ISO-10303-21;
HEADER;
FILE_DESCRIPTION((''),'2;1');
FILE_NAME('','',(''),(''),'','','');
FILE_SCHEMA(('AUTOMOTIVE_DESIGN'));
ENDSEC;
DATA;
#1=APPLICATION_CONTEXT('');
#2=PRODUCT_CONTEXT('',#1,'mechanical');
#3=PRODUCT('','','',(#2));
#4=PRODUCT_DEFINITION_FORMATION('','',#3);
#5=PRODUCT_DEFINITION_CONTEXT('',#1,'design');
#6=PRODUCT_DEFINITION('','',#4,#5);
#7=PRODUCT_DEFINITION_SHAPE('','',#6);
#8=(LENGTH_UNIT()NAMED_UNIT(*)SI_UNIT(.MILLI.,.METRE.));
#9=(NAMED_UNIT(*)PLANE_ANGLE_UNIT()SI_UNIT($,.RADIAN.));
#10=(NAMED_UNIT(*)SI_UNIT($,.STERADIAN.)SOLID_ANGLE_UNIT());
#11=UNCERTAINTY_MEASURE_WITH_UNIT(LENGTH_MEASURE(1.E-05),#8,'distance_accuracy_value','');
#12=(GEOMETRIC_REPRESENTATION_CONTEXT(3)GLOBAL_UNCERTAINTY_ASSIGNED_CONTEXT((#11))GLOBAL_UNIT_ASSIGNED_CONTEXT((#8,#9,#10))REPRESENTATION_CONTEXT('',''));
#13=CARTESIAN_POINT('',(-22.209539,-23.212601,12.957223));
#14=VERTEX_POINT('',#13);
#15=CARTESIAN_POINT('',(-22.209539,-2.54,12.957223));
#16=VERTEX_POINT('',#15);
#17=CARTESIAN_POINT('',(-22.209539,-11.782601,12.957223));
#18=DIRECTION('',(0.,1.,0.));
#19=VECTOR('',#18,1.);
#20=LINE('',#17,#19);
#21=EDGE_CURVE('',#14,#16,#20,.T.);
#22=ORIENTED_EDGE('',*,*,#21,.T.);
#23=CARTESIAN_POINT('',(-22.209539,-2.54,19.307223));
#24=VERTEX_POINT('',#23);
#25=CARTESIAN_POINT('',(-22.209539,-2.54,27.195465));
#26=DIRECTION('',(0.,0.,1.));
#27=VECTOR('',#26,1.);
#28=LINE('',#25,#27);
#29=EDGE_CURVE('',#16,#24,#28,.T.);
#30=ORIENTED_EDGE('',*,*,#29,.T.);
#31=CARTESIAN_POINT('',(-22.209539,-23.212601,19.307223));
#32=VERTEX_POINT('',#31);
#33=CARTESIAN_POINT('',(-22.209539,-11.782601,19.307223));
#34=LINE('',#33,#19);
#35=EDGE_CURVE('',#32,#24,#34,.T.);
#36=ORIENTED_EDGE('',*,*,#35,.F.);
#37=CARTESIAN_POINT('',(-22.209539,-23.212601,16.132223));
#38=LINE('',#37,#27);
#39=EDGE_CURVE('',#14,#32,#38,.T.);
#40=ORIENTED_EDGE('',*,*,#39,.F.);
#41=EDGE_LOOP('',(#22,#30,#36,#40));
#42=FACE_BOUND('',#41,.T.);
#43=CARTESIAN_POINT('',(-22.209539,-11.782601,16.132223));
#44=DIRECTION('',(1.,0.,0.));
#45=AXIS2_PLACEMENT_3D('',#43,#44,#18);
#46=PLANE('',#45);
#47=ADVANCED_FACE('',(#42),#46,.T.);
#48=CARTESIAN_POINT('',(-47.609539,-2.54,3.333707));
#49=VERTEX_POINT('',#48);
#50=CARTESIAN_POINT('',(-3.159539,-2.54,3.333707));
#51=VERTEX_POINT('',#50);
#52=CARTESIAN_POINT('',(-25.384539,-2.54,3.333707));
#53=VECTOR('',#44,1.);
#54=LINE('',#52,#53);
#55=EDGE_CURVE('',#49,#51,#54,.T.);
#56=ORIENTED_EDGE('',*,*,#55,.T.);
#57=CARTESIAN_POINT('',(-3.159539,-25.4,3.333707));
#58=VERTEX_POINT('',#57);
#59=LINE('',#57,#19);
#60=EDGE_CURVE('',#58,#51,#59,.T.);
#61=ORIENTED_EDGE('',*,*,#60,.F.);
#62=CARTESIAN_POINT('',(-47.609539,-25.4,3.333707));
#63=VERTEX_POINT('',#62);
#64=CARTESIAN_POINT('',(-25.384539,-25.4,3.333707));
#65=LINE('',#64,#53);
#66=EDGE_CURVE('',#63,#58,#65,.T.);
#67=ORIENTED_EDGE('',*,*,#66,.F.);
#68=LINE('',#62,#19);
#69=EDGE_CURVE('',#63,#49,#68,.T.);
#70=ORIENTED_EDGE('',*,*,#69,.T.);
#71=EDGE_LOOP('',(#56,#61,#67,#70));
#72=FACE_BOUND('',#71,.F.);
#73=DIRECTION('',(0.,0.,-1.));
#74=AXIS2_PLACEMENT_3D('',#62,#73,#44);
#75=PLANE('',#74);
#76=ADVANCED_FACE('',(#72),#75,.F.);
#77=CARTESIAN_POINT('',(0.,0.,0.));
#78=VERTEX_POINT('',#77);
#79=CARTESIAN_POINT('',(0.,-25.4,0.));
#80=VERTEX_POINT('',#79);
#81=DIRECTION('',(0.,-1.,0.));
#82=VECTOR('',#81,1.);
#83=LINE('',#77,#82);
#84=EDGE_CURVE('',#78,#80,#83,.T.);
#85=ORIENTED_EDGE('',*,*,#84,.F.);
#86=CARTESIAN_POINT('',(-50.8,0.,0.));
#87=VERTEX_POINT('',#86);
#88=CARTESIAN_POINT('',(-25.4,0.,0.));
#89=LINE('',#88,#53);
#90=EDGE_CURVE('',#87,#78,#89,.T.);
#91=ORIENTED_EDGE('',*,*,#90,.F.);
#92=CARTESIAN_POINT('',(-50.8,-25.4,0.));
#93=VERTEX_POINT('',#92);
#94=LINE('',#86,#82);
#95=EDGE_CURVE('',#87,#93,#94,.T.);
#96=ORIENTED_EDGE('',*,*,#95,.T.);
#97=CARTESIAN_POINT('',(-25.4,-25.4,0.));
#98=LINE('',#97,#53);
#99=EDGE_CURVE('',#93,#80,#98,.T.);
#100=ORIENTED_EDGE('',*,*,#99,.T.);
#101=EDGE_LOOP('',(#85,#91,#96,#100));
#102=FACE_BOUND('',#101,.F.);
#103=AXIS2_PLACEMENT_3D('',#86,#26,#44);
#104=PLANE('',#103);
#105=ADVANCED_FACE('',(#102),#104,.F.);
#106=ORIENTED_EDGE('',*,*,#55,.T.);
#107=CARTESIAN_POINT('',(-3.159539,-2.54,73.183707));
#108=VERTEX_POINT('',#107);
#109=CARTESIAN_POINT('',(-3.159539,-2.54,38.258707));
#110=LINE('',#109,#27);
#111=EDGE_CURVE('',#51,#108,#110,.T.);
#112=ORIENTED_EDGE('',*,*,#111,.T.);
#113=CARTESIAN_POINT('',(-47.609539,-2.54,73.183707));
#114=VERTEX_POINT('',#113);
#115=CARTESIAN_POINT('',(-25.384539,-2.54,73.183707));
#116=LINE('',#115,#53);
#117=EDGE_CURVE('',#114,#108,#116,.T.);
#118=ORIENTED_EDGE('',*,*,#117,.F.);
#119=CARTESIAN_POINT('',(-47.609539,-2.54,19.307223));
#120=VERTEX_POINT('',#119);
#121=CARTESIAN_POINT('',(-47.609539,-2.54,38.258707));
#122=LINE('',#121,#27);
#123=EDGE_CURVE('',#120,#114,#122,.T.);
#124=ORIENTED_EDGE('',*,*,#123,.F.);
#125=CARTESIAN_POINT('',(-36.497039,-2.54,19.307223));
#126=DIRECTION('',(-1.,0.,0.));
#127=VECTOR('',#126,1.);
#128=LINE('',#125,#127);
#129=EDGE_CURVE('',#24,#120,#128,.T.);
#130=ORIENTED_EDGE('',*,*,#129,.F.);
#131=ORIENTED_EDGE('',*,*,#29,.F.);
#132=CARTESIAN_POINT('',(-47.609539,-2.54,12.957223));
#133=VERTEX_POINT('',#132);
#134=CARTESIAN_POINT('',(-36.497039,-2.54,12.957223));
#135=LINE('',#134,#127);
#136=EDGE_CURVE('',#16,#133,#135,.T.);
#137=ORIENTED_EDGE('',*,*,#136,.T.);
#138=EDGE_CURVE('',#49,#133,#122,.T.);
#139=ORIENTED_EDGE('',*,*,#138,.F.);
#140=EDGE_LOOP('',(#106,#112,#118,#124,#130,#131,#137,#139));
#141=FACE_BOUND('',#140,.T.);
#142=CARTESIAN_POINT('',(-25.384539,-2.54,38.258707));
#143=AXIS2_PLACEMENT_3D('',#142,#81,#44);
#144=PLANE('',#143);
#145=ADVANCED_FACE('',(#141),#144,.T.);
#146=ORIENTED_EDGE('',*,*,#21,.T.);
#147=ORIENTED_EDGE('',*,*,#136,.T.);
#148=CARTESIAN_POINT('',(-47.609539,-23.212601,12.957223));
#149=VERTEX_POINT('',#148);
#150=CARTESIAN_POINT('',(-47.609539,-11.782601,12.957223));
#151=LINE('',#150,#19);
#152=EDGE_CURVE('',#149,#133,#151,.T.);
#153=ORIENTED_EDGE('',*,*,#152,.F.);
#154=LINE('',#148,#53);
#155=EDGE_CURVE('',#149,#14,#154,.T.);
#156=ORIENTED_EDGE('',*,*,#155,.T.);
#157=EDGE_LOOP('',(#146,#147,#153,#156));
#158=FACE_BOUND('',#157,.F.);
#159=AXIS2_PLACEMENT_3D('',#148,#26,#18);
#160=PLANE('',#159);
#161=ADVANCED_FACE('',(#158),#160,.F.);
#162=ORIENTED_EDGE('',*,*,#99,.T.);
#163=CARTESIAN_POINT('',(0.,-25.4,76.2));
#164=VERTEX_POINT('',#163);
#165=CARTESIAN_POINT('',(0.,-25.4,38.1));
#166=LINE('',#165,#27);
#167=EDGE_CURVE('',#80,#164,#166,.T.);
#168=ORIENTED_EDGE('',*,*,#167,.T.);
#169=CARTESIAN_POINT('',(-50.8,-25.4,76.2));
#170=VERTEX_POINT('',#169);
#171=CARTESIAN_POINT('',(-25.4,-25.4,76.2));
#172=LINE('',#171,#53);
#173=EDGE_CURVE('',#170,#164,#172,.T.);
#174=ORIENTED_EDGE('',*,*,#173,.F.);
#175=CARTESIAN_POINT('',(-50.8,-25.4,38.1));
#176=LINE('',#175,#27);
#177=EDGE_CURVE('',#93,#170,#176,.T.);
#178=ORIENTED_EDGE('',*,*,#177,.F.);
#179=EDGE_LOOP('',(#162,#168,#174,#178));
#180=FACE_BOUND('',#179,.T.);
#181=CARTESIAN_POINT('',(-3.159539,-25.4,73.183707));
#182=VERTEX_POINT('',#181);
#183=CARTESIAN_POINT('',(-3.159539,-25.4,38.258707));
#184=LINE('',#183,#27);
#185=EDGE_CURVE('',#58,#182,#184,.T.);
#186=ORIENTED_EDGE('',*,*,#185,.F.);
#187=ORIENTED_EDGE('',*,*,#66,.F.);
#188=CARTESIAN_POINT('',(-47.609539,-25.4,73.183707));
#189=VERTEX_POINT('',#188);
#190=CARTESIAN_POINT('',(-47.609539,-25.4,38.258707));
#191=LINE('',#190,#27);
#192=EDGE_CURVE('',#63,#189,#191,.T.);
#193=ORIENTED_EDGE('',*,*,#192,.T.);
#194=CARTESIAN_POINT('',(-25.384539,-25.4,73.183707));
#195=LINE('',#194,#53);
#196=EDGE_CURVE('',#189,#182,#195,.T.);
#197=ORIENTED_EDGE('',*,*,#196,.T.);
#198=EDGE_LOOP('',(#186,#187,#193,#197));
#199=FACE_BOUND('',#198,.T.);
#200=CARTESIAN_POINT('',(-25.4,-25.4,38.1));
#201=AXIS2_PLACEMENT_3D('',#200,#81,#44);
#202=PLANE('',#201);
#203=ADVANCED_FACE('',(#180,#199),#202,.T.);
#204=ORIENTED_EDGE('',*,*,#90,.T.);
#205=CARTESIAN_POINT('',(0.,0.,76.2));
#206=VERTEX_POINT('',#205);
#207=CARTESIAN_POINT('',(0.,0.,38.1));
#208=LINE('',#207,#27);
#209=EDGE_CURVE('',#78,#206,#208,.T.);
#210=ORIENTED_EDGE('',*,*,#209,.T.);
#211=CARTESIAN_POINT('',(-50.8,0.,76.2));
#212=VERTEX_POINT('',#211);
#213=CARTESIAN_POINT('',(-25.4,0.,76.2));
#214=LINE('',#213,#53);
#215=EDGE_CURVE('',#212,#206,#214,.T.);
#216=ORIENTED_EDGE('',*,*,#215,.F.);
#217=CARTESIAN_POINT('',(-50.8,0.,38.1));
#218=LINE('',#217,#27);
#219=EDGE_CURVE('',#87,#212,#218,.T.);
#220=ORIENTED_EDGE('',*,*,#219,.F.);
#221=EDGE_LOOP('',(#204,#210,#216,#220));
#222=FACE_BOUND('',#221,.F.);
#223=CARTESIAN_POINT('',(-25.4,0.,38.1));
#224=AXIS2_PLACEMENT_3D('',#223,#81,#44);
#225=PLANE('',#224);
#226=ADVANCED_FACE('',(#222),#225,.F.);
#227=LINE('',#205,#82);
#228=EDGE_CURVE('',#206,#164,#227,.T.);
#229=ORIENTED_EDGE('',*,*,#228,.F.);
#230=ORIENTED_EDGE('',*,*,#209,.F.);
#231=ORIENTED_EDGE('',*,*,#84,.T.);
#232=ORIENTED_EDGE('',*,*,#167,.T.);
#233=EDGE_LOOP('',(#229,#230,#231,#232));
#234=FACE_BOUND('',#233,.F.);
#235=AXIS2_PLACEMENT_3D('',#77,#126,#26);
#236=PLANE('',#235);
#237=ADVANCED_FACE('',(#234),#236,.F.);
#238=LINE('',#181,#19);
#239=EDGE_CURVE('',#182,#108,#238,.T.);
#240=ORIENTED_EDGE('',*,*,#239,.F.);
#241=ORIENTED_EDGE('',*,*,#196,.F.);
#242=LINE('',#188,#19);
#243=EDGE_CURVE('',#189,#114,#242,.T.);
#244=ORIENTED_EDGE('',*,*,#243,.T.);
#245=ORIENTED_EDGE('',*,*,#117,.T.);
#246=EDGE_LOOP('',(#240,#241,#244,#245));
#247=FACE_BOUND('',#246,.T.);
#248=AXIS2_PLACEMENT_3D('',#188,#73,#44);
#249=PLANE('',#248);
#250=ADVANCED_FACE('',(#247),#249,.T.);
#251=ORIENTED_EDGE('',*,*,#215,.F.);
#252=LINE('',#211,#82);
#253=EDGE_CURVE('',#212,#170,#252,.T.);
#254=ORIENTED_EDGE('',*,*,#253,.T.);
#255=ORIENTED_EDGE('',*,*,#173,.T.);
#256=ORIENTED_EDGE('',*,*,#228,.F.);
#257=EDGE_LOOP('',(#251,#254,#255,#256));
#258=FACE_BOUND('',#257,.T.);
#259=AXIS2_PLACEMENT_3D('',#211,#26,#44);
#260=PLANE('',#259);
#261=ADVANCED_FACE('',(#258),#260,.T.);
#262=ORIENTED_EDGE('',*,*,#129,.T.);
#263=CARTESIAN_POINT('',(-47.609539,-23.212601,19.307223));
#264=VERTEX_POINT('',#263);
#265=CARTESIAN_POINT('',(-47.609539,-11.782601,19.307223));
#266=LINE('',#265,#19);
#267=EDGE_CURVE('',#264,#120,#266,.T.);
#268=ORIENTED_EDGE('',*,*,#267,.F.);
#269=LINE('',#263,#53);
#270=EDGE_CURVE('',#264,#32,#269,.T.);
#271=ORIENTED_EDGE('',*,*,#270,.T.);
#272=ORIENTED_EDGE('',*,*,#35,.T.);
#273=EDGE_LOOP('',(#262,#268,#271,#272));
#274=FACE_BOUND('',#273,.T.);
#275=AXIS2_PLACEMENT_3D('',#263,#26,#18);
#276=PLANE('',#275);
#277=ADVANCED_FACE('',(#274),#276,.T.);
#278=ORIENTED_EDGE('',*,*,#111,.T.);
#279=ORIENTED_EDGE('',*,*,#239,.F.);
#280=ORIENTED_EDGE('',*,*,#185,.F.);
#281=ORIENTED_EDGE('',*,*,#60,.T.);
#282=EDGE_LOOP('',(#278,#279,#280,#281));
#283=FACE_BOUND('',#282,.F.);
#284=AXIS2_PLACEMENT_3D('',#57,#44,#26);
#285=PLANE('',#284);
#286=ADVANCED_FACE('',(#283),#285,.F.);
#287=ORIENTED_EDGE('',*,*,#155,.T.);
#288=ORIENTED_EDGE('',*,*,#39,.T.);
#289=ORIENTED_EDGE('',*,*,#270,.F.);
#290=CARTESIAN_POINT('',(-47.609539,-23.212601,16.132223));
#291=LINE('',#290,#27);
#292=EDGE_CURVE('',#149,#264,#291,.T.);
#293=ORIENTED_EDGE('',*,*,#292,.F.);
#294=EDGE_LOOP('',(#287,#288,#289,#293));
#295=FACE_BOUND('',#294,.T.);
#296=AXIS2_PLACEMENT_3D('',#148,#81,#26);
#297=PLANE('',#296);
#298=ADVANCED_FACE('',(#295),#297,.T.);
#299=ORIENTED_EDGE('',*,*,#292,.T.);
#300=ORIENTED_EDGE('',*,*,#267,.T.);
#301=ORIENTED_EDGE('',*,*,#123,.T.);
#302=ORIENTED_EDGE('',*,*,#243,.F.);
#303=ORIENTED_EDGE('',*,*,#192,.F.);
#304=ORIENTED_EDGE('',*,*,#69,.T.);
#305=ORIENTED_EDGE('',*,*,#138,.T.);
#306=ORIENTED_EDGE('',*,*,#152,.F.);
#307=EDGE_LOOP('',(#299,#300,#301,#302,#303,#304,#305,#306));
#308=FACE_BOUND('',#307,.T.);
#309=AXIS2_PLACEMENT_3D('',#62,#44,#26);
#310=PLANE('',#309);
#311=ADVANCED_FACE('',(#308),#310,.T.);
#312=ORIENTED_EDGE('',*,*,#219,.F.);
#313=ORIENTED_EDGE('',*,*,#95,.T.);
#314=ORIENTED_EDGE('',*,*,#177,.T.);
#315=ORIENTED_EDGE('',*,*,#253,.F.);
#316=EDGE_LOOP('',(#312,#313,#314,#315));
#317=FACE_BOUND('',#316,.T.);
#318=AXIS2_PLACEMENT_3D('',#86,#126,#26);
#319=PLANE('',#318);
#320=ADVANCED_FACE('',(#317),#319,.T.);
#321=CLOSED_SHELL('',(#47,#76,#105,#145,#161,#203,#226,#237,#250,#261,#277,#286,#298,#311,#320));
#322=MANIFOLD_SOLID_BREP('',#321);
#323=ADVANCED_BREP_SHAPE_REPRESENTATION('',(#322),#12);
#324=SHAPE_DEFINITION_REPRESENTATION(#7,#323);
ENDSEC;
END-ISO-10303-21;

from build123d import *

# Parameters (mm, degrees)
F0_W     = 50.8
F0_H     = 76.2
F1_DEPTH = 25.4
F2_W     = 44.45
F2_H     = 69.85
F3_DEPTH = 22.86
F4_W     = 22.86
F4_H     = 6.35
F5_DEPTH = 25.4


with BuildPart() as f1:
    # F0 (on Front) → F1 (new body)
    with BuildSketch(Plane.XZ):
        with Locations((-25.4, 38.1)):
            Rectangle(F0_W, F0_H)
    extrude(amount=F1_DEPTH)

    # F2 (on face) → F3 (cut)
    with BuildSketch(Plane.XZ.offset(25.4)):
        with Locations((-25.384539, 38.258707)):
            Rectangle(F2_W, F2_H)
    extrude(amount=-F3_DEPTH, mode=Mode.SUBTRACT)

    # F4 (on face) → F5 (join)
    with BuildSketch(Plane.YZ.offset(-47.609539)):
        with Locations((-11.782601, 16.132223)):
            Rectangle(F4_W, F4_H)
    extrude(amount=F5_DEPTH)


solid = f1.part
